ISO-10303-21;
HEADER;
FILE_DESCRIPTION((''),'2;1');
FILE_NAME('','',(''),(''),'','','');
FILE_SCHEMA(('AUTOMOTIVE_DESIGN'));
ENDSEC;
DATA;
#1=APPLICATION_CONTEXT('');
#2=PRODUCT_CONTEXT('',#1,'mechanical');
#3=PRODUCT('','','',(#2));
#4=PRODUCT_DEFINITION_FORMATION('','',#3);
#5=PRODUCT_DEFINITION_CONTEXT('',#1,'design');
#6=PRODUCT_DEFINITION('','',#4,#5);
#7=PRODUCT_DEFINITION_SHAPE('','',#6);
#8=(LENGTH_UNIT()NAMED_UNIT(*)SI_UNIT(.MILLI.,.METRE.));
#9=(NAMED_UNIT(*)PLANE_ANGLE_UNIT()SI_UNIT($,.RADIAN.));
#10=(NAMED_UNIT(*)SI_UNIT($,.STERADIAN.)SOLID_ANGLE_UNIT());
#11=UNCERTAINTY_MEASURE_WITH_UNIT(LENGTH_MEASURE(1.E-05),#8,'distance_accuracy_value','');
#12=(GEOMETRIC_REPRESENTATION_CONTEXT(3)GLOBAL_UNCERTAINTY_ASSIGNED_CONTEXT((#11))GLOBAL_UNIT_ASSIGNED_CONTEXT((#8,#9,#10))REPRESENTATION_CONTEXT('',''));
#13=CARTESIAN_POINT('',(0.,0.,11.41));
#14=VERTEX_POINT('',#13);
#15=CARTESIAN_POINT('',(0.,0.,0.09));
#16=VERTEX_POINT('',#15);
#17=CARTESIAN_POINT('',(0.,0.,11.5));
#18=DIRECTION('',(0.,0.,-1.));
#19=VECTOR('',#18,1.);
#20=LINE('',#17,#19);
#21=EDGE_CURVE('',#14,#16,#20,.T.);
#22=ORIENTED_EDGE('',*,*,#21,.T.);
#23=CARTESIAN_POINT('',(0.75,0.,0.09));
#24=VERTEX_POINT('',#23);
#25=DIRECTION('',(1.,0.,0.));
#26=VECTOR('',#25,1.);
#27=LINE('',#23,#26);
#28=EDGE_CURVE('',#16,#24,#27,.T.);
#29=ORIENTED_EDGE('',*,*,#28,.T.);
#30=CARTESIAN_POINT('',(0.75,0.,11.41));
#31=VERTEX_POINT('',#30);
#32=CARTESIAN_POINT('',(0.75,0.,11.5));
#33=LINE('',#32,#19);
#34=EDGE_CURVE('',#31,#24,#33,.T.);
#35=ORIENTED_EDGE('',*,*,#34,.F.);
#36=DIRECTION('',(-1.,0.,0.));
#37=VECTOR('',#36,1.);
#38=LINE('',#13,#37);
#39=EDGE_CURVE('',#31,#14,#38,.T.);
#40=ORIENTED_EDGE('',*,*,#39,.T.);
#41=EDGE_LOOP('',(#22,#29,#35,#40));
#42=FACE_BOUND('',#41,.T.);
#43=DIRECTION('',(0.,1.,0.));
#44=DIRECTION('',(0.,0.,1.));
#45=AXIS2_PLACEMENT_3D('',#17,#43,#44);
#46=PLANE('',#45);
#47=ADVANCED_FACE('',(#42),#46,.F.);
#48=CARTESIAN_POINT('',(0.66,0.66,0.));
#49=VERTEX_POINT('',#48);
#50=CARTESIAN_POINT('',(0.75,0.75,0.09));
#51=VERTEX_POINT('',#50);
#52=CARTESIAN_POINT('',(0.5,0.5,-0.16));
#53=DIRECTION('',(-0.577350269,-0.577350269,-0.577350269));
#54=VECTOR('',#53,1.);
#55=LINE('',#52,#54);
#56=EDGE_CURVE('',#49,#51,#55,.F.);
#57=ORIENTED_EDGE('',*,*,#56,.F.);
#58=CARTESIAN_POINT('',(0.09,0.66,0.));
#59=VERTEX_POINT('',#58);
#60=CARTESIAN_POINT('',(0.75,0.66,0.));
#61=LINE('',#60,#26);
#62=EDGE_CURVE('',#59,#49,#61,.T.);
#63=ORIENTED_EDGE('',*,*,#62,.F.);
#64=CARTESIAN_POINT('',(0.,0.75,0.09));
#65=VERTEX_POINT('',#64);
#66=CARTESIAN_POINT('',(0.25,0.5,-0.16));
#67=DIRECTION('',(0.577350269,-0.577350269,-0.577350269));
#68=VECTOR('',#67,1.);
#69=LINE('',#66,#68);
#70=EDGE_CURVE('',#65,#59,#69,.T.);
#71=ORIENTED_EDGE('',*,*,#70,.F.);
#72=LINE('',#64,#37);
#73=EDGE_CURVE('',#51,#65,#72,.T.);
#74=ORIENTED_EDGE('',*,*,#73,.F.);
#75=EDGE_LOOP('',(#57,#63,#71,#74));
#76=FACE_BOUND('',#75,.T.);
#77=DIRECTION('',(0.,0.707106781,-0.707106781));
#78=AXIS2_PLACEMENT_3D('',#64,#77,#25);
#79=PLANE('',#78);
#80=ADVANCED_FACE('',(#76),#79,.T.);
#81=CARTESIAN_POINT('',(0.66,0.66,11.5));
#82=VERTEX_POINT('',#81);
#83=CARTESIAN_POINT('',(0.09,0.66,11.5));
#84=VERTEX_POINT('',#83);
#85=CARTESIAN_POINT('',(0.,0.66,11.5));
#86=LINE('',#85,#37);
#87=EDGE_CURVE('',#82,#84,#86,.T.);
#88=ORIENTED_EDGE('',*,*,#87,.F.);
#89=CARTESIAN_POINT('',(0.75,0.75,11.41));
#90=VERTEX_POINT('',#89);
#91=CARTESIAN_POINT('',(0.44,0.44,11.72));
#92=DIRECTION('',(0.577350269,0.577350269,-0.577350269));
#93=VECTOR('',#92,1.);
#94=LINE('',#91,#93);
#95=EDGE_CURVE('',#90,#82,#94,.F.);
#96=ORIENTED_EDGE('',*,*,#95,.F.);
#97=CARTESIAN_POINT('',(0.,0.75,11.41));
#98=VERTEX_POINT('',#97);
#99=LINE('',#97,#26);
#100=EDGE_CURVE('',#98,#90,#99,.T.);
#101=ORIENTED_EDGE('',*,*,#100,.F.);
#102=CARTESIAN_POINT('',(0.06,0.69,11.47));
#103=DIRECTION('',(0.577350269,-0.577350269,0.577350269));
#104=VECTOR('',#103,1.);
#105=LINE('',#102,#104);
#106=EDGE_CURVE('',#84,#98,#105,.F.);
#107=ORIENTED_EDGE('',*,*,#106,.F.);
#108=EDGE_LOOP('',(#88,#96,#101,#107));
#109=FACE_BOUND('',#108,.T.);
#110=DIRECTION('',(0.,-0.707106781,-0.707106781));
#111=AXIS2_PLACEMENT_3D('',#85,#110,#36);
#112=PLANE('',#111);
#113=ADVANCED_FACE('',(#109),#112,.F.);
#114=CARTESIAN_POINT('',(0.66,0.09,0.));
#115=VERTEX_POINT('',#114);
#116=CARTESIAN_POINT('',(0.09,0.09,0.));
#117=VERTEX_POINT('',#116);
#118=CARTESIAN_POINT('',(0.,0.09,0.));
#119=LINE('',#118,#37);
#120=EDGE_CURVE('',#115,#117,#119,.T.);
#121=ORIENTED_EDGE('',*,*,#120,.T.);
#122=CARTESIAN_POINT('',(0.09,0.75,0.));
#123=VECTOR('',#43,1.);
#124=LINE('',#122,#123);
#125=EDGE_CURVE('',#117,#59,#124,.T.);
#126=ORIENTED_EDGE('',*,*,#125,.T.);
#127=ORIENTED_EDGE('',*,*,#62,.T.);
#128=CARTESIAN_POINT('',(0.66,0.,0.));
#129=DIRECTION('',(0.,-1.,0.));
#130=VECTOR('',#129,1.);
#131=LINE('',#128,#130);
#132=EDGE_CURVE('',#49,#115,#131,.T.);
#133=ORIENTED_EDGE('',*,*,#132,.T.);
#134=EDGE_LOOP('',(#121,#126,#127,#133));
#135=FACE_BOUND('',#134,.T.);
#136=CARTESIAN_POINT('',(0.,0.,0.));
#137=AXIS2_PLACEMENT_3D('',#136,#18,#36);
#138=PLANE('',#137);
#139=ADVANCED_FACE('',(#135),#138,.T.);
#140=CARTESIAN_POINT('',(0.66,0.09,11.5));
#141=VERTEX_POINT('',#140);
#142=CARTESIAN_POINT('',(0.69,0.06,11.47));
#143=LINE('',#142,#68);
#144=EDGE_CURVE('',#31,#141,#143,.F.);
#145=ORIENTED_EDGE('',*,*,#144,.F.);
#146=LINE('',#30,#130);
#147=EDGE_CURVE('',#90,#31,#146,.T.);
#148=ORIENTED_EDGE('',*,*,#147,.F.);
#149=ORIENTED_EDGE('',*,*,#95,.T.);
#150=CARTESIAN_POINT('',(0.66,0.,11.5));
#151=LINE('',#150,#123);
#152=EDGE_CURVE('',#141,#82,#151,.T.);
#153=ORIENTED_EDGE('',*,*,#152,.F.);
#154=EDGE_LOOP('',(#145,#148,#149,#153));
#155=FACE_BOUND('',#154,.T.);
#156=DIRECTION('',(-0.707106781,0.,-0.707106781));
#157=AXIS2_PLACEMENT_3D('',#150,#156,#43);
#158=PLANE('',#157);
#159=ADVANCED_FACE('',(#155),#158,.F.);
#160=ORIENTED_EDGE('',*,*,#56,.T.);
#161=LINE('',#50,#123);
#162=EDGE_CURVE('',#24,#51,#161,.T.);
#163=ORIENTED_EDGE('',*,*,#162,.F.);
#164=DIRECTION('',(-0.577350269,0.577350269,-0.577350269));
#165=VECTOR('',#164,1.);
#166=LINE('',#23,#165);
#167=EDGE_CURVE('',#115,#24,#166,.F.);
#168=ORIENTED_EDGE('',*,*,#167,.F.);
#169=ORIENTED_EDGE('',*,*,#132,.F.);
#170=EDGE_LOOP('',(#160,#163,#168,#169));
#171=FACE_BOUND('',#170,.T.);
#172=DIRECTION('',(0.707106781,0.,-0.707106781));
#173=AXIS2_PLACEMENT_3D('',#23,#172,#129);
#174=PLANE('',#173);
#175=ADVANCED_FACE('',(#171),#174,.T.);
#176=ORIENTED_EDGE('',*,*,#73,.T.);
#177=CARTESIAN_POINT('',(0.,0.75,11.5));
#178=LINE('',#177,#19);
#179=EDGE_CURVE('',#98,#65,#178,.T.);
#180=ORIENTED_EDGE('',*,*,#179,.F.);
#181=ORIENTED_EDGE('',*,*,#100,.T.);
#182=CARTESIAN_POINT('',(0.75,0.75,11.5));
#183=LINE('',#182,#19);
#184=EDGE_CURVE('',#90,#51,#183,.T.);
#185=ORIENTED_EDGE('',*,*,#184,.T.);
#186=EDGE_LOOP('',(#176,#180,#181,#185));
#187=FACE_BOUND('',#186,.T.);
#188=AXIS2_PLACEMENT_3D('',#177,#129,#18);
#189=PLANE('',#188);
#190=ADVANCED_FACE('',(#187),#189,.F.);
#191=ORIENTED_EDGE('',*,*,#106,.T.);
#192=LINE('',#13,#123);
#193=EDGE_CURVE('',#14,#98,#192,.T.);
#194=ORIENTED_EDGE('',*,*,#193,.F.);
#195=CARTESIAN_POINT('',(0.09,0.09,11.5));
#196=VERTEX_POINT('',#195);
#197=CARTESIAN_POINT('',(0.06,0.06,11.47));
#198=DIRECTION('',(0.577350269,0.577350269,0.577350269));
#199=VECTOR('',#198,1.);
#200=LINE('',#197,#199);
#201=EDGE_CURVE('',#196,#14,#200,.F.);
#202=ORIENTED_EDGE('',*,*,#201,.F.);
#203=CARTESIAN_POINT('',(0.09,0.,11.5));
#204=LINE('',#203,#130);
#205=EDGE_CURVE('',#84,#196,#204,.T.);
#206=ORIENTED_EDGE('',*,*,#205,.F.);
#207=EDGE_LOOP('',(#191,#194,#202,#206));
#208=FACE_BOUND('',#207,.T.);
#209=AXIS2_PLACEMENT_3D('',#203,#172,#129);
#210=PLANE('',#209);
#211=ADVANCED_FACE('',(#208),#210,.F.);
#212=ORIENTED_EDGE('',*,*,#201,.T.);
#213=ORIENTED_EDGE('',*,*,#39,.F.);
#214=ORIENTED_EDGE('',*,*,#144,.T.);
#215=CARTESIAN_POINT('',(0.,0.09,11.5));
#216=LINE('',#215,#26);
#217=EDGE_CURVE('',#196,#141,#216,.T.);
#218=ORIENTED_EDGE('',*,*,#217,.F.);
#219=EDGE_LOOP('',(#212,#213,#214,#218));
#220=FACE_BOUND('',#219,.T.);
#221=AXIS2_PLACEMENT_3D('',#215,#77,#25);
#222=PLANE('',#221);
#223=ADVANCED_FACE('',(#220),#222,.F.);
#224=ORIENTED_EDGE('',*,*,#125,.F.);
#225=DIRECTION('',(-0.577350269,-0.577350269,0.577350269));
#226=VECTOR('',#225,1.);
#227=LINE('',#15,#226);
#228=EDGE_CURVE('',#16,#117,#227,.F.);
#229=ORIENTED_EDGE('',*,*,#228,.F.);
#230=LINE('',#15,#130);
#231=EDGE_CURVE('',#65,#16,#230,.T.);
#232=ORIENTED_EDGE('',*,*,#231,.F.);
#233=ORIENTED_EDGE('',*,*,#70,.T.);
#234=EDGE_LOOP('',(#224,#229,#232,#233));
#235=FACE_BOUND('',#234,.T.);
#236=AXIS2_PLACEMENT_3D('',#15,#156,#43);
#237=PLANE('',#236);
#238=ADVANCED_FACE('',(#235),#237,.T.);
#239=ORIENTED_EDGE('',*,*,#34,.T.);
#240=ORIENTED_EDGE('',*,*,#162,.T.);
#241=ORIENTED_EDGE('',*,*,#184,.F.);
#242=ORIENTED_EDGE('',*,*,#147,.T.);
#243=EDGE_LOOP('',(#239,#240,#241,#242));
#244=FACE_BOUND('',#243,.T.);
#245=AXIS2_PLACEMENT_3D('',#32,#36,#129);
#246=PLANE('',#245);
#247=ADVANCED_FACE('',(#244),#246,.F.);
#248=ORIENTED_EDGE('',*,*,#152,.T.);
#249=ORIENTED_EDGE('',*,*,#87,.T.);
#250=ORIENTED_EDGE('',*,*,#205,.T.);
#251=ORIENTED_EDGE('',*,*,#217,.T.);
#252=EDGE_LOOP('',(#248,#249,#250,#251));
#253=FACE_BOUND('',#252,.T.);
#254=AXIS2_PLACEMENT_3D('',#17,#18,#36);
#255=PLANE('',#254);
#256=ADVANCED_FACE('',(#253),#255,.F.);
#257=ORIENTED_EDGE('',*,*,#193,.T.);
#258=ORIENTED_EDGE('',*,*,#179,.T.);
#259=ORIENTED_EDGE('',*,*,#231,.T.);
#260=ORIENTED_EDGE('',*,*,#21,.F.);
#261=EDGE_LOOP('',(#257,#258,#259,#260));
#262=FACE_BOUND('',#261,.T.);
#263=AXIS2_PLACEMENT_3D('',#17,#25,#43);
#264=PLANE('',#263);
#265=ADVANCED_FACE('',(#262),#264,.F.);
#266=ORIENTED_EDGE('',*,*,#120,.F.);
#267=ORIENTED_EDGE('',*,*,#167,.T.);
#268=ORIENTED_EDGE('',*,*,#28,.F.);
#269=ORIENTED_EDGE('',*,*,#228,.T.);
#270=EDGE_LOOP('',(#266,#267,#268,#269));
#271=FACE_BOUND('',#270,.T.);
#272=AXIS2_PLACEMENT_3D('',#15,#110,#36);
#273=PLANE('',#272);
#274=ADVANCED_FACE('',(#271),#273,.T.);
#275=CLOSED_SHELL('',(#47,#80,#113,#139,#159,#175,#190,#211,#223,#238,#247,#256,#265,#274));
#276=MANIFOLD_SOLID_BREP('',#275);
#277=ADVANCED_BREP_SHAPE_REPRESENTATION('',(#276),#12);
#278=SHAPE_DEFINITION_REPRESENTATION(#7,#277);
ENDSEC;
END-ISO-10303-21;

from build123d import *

# Parameters (mm, degrees)
SKETCH1_W           = 0.75
SKETCH1_H           = 0.75
BOSS_EXTRUDE1_DEPTH = 11.5
CHAMFER1_SIZE       = 0.09


with BuildPart() as part:
    # Sketch1 → Boss-Extrude1 (new body)
    with BuildSketch(Plane.XY):
        with Locations((0.375, 0.375)):
            Rectangle(SKETCH1_W, SKETCH1_H)
    extrude(amount=BOSS_EXTRUDE1_DEPTH)

    # Chamfer1
    chamfer1_edges = [part.edges().sort_by_distance(p)[0] for p in [
        (0.75, 0.375, 11.5),
        (0.375, 0.75, 11.5),
        (0, 0.375, 11.5),
        (0.375, 0.75, 0),
        (0.75, 0.375, 0),
        (0.375, 0, 0),
        (0, 0.375, 0),
        (0.375, 0, 11.5),
    ]]
    chamfer(chamfer1_edges, length=CHAMFER1_SIZE)


solid = part.part
